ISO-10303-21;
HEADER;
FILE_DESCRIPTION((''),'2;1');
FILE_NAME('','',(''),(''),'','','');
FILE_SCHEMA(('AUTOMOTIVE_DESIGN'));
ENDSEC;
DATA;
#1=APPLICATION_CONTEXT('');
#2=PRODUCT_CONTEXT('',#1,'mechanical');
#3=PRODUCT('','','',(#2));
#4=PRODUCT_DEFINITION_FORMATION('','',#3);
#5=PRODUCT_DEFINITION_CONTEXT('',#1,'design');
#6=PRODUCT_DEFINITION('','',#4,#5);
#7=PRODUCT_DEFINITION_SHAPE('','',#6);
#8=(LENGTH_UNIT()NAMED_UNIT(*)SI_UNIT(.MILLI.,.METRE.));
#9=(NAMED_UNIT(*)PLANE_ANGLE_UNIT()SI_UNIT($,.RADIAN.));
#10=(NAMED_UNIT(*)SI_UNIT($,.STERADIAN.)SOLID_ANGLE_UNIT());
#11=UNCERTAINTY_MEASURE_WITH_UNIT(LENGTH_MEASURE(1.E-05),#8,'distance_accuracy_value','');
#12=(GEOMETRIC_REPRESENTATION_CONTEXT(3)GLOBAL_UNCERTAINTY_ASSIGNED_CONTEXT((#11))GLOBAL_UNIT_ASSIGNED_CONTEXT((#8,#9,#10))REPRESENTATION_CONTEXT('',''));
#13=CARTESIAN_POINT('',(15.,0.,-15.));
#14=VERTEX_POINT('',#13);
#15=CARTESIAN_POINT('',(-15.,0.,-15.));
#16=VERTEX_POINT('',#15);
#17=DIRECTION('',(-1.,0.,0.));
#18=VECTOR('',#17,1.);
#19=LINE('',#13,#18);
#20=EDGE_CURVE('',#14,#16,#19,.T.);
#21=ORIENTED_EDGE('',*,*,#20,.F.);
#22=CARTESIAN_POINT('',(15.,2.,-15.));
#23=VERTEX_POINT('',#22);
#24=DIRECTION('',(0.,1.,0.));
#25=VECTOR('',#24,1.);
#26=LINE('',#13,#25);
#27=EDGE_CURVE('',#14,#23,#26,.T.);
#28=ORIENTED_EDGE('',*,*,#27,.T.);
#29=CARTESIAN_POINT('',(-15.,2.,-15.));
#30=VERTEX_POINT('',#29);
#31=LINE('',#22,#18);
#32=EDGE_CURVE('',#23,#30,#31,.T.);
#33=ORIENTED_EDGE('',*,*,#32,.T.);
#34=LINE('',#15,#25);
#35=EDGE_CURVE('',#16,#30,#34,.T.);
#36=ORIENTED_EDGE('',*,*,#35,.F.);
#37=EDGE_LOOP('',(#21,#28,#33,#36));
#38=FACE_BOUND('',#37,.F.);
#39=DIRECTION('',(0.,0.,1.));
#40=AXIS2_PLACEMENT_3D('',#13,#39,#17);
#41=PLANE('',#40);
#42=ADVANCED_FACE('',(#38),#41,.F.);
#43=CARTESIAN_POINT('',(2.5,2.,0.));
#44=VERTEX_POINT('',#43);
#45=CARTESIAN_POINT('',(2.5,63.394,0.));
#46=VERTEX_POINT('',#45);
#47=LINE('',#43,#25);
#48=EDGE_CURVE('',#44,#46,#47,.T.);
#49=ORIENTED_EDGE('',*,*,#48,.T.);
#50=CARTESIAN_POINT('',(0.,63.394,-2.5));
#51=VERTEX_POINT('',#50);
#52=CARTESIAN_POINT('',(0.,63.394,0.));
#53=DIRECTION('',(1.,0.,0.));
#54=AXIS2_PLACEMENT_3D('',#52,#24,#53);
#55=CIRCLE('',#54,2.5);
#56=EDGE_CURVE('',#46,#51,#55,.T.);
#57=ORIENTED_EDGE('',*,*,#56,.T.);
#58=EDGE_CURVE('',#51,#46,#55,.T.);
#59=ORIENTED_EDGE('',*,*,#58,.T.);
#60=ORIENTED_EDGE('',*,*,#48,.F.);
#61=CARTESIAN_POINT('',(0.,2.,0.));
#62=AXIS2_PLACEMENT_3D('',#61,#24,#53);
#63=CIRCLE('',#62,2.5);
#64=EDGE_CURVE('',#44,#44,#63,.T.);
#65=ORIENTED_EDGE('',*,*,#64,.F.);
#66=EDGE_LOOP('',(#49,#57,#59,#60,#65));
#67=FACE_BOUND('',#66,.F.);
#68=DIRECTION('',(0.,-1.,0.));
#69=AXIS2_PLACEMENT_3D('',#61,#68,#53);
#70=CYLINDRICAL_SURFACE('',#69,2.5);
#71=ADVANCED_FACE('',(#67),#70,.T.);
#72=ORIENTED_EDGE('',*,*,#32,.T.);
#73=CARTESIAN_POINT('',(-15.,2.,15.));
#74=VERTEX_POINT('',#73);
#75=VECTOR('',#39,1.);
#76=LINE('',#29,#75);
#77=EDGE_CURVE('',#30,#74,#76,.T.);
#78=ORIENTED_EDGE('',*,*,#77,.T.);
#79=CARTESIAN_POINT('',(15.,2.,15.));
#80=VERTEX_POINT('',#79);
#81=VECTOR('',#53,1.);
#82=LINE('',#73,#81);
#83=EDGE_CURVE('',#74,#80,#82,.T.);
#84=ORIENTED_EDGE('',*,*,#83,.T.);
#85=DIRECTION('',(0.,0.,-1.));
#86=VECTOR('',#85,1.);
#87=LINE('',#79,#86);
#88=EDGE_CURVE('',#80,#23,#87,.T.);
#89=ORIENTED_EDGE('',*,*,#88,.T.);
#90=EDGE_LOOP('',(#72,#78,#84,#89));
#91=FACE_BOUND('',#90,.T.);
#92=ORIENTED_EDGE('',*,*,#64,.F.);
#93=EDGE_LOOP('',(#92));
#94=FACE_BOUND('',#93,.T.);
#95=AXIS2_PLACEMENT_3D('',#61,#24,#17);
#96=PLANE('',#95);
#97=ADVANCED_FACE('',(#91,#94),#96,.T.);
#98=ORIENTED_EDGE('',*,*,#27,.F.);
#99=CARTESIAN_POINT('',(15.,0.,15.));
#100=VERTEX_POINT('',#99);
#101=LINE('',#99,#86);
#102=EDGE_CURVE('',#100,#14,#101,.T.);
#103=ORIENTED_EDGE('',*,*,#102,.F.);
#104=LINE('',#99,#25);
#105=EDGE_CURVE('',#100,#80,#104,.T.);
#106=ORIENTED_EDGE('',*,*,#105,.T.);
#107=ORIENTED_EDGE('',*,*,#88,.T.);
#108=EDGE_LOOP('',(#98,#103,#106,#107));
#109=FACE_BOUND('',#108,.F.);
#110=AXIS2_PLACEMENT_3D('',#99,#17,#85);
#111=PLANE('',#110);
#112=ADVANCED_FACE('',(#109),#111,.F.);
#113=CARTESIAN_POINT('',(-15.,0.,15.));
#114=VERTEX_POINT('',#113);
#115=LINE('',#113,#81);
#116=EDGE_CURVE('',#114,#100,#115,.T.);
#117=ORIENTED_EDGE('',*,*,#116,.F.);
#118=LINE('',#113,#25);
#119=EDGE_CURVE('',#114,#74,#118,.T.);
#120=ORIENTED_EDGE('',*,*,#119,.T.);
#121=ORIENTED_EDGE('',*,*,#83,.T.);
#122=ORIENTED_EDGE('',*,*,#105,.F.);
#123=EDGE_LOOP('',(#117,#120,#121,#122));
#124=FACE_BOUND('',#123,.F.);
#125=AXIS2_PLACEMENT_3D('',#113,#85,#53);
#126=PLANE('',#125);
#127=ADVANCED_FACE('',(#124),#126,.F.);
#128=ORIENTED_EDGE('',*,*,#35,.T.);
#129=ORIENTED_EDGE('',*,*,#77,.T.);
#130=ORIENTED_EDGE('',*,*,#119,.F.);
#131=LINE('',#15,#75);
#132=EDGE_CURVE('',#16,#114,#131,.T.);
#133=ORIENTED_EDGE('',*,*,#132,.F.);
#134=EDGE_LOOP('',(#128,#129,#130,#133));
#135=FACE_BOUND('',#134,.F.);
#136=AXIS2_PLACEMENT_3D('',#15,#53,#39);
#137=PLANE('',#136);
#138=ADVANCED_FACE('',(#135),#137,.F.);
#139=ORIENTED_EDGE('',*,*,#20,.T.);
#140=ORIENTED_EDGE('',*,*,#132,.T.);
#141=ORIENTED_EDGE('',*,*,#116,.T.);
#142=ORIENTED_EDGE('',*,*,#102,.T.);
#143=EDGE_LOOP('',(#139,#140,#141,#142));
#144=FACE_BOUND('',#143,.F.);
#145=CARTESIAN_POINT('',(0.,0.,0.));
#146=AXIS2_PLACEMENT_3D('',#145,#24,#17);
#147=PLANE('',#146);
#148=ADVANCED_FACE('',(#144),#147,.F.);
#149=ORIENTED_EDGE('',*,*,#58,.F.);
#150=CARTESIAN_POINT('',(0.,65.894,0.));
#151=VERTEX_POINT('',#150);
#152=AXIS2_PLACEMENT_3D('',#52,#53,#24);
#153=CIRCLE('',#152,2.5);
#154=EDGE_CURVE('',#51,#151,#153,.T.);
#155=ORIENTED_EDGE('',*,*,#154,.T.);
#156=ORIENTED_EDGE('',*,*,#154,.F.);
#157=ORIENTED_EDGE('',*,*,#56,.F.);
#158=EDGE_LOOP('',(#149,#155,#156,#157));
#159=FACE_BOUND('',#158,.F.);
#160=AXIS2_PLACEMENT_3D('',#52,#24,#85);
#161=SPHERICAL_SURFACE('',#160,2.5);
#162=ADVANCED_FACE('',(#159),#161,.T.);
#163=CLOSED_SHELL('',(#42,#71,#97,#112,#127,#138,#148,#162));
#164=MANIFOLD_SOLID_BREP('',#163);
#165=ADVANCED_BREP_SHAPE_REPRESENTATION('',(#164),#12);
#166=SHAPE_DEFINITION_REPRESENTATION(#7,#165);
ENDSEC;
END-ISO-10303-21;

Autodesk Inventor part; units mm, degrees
ref_plane "YZ Plane" through (0, 0, 0) normal (1, 0, 0) x (0, 1, 0)
ref_plane "XZ Plane" through (0, 0, 0) normal (0, 1, 0) x (-1, 0, 0)
ref_plane "XY Plane" through (0, 0, 0) normal (0, 0, 1) x (1, 0, 0)
sketch "Sketch1" plane through (0, 0, 0) normal (0, 1, 0) x (-1, 0, 0)
  line L0 (15, 15) -> (-15, 15)
  line L1 (-15, 15) -> (-15, -15)
  line L2 (-15, -15) -> (15, -15)
  line L3 (15, -15) -> (15, 15)
  point P0 (0, 0)
  point P1 (15, 0)
  point P2 (0, 15)
  dimension "d0" = 30
  dimension "d1" = 30
  dimension "d2" = 0
  dimension "d3" = 0
extrude "Extrusion1" add sketch "Sketch1" along normal blind 2
sketch "Sketch2" plane through (0, 2, 0) normal (0, 1, 0) x (1, 0, 0)
  circle A0 centre (0, 0) radius 2.5
  dimension "d6" = 5
extrude "Extrusion2" add sketch "Sketch2" along normal blind 61.394
sketch "Sketch3" plane through (0, 63.394, 0) normal (0, 1, 0) x (1, 0, 0)
  point P0 (0, 0)
sketch "Sketch4" plane through (0, 0, 0) normal (1, 0, 0) x (0, 1, 0)
  line L0 (63.394, -2.5) -> (63.394, 2.5) projected
  circle A0 centre (63.394, 0) radius 2.5
  line L1 (65.894, 0) -> (63.394, 0)
  line L2 (63.394, 0) -> (63.394, -2.5)
  line L3 (65.894, 0) -> (66.7994, 0)
  point P0 (0, 0)
  dimension "d6" = 5
  dimension "d9" = 5
revolve "Revolution3" add sketch "Sketch4" angle 360 about axis through (0, 65.894, 0) along (0, -1, 0) picked at (64.2751, -1.4023) contours L0 L1 A0
properties part number "Pivot"
